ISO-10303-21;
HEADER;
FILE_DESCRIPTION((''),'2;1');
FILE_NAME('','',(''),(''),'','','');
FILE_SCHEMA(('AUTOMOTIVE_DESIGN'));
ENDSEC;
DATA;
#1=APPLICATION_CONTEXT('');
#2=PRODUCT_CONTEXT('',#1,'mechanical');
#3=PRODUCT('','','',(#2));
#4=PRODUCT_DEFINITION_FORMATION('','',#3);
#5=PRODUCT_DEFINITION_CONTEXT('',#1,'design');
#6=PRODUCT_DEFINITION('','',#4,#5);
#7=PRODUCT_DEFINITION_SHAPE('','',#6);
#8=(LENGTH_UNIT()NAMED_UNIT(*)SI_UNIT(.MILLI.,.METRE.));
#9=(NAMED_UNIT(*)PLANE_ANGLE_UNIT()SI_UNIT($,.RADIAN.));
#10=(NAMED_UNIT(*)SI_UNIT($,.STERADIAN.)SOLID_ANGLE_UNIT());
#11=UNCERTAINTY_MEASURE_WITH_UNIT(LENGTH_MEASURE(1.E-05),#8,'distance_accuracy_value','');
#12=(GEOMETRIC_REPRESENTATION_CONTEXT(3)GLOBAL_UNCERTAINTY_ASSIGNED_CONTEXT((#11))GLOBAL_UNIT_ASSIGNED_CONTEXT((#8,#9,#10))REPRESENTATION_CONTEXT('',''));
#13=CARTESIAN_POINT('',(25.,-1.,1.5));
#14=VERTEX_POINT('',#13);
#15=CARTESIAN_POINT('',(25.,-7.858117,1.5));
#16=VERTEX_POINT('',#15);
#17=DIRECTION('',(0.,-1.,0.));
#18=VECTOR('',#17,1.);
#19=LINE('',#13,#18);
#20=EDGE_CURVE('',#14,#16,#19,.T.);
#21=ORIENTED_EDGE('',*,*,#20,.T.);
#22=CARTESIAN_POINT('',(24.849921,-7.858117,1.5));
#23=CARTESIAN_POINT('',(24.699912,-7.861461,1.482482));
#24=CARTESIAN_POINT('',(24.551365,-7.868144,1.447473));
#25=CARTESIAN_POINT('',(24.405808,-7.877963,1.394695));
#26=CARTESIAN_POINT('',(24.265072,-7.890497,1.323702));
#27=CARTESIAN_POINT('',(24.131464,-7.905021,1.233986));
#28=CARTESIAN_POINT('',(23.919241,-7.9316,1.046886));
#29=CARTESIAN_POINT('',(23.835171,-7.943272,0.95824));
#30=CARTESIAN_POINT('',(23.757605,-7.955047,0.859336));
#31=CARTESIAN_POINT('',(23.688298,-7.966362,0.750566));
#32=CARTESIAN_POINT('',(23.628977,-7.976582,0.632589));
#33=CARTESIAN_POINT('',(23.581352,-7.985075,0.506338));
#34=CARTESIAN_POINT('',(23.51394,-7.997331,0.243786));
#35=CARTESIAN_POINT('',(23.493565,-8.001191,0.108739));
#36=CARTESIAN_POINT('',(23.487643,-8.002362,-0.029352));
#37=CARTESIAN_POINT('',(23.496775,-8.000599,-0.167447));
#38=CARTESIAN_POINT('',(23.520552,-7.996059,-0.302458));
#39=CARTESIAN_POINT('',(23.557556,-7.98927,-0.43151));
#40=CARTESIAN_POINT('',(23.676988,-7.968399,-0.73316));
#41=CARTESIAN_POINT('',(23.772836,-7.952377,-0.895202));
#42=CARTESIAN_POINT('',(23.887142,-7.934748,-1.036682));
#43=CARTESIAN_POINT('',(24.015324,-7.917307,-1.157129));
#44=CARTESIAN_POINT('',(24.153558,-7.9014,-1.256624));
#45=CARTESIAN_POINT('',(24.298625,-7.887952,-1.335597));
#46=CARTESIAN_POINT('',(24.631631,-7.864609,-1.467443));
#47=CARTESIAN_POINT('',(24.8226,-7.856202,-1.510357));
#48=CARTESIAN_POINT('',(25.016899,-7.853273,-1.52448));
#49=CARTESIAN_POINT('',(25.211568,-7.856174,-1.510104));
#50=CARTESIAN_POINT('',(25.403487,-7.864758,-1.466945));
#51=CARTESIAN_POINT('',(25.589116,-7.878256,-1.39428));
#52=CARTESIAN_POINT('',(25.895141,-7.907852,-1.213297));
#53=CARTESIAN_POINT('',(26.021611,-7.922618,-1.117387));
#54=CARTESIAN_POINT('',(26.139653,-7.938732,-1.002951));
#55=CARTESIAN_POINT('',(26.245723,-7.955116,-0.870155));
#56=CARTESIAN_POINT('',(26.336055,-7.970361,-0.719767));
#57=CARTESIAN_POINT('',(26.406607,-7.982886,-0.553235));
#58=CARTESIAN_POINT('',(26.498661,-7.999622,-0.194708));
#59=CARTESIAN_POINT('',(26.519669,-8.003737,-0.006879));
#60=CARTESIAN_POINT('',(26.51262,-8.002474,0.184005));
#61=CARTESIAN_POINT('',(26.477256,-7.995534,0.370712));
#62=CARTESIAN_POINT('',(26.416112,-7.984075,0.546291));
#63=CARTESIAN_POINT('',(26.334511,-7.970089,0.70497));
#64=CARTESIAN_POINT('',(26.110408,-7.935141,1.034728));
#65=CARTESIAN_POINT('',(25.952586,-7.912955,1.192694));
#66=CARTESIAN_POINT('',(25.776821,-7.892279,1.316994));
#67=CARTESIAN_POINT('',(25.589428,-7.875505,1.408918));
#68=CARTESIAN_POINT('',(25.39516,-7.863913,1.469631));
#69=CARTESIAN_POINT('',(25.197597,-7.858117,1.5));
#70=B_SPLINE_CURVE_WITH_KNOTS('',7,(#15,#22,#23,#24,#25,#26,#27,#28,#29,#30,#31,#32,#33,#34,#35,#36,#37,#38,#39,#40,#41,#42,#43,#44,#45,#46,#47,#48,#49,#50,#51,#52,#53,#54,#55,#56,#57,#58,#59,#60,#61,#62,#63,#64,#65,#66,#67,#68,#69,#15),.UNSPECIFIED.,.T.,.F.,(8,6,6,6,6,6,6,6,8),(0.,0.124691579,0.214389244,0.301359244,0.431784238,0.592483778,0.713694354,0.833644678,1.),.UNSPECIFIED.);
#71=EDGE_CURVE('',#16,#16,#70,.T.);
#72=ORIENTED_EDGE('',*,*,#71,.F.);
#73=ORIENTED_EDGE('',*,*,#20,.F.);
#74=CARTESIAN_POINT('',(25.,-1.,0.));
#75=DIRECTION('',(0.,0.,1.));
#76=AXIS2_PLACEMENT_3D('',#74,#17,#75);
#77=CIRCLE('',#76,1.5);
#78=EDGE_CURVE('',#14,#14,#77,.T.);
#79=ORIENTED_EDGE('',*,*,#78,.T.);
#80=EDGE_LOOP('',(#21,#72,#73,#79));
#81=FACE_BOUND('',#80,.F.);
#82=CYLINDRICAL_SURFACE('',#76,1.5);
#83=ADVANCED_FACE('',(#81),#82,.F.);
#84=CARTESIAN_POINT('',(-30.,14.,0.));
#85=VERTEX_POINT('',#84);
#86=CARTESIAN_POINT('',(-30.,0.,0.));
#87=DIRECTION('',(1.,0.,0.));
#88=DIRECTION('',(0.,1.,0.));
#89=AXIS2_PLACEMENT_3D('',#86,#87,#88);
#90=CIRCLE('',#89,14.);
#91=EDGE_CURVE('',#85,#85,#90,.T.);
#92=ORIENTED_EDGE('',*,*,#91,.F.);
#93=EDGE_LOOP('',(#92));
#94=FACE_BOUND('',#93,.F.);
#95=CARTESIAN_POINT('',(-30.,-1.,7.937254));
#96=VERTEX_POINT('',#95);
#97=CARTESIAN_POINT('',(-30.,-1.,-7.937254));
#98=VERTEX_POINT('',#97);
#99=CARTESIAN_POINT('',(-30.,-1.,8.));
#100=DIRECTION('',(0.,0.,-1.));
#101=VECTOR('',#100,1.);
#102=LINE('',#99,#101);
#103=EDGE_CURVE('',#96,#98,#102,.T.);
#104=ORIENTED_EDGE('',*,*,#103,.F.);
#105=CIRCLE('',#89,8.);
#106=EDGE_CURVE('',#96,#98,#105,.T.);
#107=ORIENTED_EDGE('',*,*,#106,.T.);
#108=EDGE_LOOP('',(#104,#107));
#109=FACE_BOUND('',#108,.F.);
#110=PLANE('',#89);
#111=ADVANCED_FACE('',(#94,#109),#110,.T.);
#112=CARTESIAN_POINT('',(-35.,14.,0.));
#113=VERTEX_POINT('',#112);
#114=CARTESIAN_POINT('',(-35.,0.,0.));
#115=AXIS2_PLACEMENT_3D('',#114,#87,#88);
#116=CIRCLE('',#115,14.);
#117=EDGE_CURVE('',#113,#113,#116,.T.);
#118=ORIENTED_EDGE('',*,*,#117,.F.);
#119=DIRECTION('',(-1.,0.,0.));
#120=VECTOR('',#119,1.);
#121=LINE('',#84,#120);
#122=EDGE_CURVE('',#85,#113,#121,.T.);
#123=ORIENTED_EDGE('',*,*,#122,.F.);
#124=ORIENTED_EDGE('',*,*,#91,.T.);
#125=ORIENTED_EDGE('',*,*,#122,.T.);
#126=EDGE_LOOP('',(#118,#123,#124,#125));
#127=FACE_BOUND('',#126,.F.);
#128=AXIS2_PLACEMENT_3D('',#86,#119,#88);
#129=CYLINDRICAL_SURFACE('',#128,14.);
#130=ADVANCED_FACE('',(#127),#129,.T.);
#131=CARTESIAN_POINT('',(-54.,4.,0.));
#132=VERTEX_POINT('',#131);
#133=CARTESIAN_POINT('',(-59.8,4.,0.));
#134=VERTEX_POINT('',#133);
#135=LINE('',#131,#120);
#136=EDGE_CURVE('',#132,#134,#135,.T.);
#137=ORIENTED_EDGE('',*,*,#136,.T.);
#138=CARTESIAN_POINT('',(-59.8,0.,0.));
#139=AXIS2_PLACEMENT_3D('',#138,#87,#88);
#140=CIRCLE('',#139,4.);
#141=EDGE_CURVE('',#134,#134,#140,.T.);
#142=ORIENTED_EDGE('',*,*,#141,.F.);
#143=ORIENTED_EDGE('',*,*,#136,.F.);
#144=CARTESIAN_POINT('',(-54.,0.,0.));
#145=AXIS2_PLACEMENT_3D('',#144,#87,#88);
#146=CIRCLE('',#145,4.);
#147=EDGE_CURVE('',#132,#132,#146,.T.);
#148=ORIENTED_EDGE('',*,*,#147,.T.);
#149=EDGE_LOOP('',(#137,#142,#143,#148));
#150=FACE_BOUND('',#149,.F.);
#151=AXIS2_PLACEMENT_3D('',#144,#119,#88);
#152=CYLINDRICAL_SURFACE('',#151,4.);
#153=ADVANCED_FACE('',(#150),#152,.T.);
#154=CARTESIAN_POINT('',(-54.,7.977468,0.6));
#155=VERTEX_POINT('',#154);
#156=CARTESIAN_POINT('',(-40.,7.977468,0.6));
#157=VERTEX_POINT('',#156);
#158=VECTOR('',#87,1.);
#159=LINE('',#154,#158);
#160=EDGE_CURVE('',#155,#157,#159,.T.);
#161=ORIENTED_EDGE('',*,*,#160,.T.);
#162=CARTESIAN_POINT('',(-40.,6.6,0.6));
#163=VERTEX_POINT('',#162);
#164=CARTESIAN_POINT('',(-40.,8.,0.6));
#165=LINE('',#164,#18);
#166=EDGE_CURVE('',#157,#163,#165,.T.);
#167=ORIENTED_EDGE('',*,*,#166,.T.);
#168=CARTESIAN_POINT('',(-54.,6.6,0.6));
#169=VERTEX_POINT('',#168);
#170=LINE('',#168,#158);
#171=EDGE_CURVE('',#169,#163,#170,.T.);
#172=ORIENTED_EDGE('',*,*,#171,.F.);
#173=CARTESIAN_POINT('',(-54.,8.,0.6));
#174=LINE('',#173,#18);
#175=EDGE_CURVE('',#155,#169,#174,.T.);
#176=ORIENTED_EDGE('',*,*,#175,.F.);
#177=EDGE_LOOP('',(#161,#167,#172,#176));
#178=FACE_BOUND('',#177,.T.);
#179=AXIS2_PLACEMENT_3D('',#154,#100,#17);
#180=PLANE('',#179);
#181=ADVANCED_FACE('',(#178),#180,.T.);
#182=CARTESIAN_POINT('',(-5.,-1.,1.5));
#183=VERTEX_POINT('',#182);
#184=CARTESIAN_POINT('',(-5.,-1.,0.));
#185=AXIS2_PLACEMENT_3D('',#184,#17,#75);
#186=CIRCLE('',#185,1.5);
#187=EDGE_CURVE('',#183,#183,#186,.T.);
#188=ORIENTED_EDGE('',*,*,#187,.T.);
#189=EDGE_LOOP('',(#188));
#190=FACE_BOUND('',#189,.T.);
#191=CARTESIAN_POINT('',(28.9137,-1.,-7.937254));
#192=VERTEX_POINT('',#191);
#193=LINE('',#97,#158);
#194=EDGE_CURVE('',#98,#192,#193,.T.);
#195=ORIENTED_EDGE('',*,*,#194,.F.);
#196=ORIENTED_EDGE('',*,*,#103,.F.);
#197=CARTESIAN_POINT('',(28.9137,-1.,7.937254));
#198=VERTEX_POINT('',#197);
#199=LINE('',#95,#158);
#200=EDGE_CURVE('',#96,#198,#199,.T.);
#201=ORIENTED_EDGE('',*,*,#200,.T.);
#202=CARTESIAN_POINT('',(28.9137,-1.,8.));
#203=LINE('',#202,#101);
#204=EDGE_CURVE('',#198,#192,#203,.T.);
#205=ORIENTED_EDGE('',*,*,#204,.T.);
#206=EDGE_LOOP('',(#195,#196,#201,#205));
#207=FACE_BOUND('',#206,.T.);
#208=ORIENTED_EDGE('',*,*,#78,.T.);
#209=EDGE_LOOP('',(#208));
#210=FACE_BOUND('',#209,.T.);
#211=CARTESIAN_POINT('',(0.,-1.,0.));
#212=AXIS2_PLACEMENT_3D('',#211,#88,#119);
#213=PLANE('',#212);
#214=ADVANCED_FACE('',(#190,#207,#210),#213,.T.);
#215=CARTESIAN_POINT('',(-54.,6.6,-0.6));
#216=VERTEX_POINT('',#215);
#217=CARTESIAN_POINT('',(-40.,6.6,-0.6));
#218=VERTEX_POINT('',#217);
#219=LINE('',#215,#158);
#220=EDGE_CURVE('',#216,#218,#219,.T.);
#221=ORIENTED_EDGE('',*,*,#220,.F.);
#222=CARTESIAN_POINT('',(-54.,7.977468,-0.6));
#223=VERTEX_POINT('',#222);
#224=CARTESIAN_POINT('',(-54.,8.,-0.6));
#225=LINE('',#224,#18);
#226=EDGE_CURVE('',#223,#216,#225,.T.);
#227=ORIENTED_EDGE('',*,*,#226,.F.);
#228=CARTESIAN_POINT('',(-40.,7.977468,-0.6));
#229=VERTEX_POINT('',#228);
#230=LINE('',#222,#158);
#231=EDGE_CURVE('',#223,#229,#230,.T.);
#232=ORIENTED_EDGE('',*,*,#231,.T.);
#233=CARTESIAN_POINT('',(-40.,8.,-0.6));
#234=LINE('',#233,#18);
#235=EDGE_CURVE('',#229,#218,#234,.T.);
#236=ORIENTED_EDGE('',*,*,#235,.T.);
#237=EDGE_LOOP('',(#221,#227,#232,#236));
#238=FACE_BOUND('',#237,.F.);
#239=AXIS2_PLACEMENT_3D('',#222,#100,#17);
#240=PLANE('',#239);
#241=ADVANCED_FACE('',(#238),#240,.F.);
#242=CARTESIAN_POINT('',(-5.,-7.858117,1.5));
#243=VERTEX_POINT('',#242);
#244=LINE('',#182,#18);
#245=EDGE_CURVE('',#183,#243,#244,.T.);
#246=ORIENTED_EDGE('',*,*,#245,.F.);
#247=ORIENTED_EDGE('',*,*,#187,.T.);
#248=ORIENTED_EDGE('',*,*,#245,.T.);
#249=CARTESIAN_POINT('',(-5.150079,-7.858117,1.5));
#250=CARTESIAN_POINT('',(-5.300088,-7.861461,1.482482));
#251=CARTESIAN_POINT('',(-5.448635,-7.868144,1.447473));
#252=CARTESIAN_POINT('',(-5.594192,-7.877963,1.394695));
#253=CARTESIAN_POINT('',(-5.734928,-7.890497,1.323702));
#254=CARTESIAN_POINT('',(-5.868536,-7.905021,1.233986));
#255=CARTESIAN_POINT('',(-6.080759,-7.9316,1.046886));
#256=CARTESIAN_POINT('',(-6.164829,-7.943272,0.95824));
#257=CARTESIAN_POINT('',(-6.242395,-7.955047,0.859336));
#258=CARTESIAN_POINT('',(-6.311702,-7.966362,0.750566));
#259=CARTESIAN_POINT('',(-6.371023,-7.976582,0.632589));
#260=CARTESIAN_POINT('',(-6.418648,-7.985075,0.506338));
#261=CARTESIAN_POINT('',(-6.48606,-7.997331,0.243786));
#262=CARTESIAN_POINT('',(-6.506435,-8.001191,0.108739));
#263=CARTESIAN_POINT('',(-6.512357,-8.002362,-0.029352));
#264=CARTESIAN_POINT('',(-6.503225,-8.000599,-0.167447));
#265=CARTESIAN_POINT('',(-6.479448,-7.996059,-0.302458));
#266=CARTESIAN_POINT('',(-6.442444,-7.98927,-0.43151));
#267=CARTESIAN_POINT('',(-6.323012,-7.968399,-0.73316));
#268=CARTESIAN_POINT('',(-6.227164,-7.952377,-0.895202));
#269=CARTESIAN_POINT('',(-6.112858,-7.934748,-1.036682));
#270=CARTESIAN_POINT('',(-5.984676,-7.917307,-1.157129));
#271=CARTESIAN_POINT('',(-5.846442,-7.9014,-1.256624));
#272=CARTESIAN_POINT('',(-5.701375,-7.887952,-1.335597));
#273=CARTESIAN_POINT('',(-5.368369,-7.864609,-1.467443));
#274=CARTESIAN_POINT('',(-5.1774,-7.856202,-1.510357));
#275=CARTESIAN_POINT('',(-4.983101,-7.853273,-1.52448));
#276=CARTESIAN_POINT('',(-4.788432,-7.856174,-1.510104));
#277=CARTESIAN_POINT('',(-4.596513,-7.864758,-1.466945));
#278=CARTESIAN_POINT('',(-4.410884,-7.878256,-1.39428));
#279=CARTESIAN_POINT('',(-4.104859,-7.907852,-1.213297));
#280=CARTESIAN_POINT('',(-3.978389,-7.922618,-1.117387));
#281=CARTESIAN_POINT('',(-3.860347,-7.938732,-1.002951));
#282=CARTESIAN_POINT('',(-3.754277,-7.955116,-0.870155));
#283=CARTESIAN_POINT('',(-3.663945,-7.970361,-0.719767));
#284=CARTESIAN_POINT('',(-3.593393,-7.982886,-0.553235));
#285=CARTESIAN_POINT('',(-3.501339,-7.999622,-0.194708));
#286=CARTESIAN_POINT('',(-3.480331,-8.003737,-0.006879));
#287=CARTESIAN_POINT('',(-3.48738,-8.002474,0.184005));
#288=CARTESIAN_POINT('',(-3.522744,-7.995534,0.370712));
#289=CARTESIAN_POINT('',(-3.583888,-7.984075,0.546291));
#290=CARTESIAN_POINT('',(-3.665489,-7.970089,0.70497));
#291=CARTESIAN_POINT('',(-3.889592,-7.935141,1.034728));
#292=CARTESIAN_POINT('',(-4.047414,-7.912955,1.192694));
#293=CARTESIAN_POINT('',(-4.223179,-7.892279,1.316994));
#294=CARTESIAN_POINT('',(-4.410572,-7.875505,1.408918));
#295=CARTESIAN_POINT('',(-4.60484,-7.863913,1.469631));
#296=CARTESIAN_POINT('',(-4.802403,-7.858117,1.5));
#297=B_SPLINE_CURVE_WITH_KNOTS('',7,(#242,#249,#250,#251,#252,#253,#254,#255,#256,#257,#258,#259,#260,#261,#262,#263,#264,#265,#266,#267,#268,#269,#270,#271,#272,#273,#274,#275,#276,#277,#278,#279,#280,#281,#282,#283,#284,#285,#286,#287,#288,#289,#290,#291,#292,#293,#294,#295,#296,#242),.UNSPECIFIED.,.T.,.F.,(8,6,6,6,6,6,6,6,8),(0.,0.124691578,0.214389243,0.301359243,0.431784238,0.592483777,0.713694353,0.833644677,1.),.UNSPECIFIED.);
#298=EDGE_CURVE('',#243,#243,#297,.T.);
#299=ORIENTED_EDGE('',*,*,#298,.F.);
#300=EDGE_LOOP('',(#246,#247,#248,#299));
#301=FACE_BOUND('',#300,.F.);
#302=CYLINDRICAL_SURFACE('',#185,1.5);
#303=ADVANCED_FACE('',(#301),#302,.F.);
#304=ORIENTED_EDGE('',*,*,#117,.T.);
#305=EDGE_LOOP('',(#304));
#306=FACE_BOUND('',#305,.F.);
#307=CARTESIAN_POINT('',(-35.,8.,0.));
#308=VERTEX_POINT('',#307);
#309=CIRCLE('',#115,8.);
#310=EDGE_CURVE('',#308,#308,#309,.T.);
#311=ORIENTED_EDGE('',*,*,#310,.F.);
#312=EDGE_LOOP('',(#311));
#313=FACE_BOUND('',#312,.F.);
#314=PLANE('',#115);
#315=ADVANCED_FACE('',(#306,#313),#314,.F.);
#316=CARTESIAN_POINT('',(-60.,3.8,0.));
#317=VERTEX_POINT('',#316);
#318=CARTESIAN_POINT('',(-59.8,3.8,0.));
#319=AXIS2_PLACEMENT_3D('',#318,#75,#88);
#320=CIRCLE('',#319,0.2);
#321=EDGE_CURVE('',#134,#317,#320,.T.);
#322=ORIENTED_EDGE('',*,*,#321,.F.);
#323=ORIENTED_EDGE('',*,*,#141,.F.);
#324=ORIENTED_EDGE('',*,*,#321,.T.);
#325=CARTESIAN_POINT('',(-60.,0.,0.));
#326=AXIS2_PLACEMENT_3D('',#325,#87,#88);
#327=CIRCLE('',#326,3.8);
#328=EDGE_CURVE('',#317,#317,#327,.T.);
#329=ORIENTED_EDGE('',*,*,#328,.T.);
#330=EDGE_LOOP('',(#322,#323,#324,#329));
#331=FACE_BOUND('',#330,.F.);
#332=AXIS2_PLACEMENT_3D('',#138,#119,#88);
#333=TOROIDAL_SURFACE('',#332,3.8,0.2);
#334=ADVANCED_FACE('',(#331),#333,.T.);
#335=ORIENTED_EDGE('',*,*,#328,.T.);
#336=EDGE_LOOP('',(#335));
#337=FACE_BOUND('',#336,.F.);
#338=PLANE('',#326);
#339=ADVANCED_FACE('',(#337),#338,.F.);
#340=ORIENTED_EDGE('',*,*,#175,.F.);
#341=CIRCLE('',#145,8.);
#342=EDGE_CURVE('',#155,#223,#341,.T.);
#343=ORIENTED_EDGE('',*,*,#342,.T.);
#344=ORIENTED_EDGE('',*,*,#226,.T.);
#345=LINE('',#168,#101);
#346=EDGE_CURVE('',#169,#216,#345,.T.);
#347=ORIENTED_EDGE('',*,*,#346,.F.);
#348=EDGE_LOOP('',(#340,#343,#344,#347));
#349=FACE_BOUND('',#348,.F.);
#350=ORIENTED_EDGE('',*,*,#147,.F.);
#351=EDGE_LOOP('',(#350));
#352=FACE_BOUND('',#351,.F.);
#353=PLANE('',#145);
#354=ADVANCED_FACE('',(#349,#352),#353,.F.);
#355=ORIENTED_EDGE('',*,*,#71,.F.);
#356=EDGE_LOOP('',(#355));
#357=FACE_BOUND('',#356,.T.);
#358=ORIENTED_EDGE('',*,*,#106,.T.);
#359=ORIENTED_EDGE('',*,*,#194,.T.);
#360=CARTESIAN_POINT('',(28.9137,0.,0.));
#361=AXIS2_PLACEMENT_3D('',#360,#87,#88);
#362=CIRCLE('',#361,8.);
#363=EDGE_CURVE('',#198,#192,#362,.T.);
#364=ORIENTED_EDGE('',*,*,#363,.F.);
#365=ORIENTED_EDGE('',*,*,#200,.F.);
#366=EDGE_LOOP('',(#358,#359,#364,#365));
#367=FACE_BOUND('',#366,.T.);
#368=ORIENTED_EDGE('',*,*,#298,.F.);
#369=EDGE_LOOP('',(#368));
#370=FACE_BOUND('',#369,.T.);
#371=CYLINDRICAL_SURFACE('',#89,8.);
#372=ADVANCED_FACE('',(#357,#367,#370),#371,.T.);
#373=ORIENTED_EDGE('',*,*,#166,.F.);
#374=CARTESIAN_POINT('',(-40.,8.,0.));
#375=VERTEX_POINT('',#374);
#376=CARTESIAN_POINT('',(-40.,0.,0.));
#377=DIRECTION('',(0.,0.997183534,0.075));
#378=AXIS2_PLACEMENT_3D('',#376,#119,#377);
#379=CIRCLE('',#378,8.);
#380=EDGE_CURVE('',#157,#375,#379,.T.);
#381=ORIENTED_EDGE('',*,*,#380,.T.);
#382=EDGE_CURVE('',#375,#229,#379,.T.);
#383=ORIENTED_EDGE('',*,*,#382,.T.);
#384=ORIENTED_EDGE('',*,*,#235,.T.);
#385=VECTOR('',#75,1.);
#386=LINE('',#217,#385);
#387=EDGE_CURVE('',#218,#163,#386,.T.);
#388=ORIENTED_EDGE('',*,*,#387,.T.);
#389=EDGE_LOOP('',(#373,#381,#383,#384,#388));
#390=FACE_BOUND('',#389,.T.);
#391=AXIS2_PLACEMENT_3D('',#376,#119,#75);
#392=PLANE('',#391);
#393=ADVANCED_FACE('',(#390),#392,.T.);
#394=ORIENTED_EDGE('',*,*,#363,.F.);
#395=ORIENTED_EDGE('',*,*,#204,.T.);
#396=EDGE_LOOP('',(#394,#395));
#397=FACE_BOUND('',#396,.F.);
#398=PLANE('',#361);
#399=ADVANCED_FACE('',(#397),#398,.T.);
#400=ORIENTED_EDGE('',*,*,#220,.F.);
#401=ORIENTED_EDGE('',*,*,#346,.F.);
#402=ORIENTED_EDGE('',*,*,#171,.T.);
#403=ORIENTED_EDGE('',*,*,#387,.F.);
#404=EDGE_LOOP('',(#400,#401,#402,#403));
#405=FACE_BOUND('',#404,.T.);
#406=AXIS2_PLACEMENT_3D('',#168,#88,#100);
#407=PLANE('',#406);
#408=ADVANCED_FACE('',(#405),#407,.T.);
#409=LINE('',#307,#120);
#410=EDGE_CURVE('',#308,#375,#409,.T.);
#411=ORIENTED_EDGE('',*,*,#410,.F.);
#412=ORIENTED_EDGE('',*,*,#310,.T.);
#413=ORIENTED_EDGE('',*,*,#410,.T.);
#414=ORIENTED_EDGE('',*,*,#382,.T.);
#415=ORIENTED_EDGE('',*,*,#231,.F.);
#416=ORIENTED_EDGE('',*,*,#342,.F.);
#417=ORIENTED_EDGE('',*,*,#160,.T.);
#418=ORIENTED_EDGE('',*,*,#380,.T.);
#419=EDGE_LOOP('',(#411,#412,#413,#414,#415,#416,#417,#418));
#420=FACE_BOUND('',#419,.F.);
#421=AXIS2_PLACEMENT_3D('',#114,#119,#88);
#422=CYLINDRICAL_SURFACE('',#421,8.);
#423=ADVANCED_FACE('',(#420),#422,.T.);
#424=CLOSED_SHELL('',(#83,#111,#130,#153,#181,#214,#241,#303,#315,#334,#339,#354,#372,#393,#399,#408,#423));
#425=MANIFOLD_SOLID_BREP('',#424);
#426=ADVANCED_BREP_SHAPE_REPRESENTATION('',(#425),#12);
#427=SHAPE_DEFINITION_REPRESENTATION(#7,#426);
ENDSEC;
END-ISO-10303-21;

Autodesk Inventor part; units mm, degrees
ref_plane "YZ Plane" through (0, 0, 0) normal (1, 0, 0) x (0, 1, 0)
ref_plane "XZ Plane" through (0, 0, 0) normal (0, 1, 0) x (-1, 0, 0)
ref_plane "XY Plane" through (0, 0, 0) normal (0, 0, 1) x (1, 0, 0)
sketch "Esboço1" plane through (0, 0, 0) normal (0, 0, 1) x (1, 0, 0)
  line L0 (-30, 8) -> (28.9137, 8)
  line L1 (28.9137, 0) -> (28.9137, 8)
  line L2 (-30, 8) -> (-30, 14)
  line L3 (-30, 14) -> (-35, 14)
  line L4 (-35, 14) -> (-35, 8)
  line L5 (-35, 8) -> (-54, 8)
  line L6 (-54, 8) -> (-54, 4)
  line L7 (-54, 4) -> (-60, 4)
  line L8 (-60, 4) -> (-60, 0)
  line L9 (-60, 0) -> (28.9137, 0)
  point P0 (0, 0)
  dimension "d2" = 6
  dimension "d3" = 5
  dimension "d4" = 6
  dimension "d5" = 19
  dimension "d6" = 4
  dimension "d7" = 6
revolve "Revolução1" add sketch "Esboço1" angle 360 about axis through (-60, 0, 0) along (1, 0, 0)
sketch "Esboço2" plane through (0, 0, 0) normal (0, 1, 0) x (-1, 0, 0)
  line L0 (-28.9137, 8) -> (-28.9137, -8) projected
  line L1 (30, 8) -> (30, -8) projected
  line L2 (-28.9137, 8) -> (30, 8)
  line L3 (30, 8) -> (30, -8)
  line L4 (30, -8) -> (-28.9137, -8)
  line L5 (-28.9137, -8) -> (-28.9137, 8)
  point P0 (0, 0)
extrude "Extrusão1" cut sketch "Esboço2" along normal blind 10 and the other way blind 1
sketch "Esboço3" plane through (0, -1, 0) normal (0, 1, 0) x (1, 0, 0)
  line L0 (-30, -14) -> (-30, 14) projected
  point P0 (0, 0)
  point P1 (-5, 0)
  point P2 (25, 0)
  dimension "d13" = 25
  dimension "d14" = 30
hole "Furo1" at (-5, -1, 0) at (25, -1, 0) direction (0, -1, 0) diameter 3 end through all
thread "Rosca1" size "M8x0.75" class "6g" standard "ANSI Metric M Profile" length 7
fillet "Arredondamento1" radius 0.2 1 edges at (-60, -4, 0)
sketch "Esboço4" plane through (-54, 0, 0) normal (-1, 0, 0) x (0, 0, 1)
  circle A0 centre (0, 0) radius 8 projected
  line L0 (0, 8) -> (0.6, 8)
  line L1 (0.6, 8) -> (0.6, 6.6)
  line L2 (0.6, 6.6) -> (0, 6.6)
  line L3 (0, 6.6) -> (0, 8)
  line L4 (0, 8) -> (-0.6, 8)
  line L5 (-0.6, 8) -> (-0.6, 6.6)
  line L6 (-0.6, 6.6) -> (0, 6.6)
  line L7 (0, 6.6) -> (0, 8)
  point P0 (0.6, 7.9775)
  point P1 (-0.6, 7.9775)
  dimension "d25" = 0.6
  dimension "d26" = 1.4
  dimension "d27" = 0.6
  dimension "d28" = 1.4
extrude "Extrusão2" cut sketch "Esboço4" against normal blind 14 contours L1 L2 L3 A0 | A0 L3 L6 L5
properties part number "Eixo"
